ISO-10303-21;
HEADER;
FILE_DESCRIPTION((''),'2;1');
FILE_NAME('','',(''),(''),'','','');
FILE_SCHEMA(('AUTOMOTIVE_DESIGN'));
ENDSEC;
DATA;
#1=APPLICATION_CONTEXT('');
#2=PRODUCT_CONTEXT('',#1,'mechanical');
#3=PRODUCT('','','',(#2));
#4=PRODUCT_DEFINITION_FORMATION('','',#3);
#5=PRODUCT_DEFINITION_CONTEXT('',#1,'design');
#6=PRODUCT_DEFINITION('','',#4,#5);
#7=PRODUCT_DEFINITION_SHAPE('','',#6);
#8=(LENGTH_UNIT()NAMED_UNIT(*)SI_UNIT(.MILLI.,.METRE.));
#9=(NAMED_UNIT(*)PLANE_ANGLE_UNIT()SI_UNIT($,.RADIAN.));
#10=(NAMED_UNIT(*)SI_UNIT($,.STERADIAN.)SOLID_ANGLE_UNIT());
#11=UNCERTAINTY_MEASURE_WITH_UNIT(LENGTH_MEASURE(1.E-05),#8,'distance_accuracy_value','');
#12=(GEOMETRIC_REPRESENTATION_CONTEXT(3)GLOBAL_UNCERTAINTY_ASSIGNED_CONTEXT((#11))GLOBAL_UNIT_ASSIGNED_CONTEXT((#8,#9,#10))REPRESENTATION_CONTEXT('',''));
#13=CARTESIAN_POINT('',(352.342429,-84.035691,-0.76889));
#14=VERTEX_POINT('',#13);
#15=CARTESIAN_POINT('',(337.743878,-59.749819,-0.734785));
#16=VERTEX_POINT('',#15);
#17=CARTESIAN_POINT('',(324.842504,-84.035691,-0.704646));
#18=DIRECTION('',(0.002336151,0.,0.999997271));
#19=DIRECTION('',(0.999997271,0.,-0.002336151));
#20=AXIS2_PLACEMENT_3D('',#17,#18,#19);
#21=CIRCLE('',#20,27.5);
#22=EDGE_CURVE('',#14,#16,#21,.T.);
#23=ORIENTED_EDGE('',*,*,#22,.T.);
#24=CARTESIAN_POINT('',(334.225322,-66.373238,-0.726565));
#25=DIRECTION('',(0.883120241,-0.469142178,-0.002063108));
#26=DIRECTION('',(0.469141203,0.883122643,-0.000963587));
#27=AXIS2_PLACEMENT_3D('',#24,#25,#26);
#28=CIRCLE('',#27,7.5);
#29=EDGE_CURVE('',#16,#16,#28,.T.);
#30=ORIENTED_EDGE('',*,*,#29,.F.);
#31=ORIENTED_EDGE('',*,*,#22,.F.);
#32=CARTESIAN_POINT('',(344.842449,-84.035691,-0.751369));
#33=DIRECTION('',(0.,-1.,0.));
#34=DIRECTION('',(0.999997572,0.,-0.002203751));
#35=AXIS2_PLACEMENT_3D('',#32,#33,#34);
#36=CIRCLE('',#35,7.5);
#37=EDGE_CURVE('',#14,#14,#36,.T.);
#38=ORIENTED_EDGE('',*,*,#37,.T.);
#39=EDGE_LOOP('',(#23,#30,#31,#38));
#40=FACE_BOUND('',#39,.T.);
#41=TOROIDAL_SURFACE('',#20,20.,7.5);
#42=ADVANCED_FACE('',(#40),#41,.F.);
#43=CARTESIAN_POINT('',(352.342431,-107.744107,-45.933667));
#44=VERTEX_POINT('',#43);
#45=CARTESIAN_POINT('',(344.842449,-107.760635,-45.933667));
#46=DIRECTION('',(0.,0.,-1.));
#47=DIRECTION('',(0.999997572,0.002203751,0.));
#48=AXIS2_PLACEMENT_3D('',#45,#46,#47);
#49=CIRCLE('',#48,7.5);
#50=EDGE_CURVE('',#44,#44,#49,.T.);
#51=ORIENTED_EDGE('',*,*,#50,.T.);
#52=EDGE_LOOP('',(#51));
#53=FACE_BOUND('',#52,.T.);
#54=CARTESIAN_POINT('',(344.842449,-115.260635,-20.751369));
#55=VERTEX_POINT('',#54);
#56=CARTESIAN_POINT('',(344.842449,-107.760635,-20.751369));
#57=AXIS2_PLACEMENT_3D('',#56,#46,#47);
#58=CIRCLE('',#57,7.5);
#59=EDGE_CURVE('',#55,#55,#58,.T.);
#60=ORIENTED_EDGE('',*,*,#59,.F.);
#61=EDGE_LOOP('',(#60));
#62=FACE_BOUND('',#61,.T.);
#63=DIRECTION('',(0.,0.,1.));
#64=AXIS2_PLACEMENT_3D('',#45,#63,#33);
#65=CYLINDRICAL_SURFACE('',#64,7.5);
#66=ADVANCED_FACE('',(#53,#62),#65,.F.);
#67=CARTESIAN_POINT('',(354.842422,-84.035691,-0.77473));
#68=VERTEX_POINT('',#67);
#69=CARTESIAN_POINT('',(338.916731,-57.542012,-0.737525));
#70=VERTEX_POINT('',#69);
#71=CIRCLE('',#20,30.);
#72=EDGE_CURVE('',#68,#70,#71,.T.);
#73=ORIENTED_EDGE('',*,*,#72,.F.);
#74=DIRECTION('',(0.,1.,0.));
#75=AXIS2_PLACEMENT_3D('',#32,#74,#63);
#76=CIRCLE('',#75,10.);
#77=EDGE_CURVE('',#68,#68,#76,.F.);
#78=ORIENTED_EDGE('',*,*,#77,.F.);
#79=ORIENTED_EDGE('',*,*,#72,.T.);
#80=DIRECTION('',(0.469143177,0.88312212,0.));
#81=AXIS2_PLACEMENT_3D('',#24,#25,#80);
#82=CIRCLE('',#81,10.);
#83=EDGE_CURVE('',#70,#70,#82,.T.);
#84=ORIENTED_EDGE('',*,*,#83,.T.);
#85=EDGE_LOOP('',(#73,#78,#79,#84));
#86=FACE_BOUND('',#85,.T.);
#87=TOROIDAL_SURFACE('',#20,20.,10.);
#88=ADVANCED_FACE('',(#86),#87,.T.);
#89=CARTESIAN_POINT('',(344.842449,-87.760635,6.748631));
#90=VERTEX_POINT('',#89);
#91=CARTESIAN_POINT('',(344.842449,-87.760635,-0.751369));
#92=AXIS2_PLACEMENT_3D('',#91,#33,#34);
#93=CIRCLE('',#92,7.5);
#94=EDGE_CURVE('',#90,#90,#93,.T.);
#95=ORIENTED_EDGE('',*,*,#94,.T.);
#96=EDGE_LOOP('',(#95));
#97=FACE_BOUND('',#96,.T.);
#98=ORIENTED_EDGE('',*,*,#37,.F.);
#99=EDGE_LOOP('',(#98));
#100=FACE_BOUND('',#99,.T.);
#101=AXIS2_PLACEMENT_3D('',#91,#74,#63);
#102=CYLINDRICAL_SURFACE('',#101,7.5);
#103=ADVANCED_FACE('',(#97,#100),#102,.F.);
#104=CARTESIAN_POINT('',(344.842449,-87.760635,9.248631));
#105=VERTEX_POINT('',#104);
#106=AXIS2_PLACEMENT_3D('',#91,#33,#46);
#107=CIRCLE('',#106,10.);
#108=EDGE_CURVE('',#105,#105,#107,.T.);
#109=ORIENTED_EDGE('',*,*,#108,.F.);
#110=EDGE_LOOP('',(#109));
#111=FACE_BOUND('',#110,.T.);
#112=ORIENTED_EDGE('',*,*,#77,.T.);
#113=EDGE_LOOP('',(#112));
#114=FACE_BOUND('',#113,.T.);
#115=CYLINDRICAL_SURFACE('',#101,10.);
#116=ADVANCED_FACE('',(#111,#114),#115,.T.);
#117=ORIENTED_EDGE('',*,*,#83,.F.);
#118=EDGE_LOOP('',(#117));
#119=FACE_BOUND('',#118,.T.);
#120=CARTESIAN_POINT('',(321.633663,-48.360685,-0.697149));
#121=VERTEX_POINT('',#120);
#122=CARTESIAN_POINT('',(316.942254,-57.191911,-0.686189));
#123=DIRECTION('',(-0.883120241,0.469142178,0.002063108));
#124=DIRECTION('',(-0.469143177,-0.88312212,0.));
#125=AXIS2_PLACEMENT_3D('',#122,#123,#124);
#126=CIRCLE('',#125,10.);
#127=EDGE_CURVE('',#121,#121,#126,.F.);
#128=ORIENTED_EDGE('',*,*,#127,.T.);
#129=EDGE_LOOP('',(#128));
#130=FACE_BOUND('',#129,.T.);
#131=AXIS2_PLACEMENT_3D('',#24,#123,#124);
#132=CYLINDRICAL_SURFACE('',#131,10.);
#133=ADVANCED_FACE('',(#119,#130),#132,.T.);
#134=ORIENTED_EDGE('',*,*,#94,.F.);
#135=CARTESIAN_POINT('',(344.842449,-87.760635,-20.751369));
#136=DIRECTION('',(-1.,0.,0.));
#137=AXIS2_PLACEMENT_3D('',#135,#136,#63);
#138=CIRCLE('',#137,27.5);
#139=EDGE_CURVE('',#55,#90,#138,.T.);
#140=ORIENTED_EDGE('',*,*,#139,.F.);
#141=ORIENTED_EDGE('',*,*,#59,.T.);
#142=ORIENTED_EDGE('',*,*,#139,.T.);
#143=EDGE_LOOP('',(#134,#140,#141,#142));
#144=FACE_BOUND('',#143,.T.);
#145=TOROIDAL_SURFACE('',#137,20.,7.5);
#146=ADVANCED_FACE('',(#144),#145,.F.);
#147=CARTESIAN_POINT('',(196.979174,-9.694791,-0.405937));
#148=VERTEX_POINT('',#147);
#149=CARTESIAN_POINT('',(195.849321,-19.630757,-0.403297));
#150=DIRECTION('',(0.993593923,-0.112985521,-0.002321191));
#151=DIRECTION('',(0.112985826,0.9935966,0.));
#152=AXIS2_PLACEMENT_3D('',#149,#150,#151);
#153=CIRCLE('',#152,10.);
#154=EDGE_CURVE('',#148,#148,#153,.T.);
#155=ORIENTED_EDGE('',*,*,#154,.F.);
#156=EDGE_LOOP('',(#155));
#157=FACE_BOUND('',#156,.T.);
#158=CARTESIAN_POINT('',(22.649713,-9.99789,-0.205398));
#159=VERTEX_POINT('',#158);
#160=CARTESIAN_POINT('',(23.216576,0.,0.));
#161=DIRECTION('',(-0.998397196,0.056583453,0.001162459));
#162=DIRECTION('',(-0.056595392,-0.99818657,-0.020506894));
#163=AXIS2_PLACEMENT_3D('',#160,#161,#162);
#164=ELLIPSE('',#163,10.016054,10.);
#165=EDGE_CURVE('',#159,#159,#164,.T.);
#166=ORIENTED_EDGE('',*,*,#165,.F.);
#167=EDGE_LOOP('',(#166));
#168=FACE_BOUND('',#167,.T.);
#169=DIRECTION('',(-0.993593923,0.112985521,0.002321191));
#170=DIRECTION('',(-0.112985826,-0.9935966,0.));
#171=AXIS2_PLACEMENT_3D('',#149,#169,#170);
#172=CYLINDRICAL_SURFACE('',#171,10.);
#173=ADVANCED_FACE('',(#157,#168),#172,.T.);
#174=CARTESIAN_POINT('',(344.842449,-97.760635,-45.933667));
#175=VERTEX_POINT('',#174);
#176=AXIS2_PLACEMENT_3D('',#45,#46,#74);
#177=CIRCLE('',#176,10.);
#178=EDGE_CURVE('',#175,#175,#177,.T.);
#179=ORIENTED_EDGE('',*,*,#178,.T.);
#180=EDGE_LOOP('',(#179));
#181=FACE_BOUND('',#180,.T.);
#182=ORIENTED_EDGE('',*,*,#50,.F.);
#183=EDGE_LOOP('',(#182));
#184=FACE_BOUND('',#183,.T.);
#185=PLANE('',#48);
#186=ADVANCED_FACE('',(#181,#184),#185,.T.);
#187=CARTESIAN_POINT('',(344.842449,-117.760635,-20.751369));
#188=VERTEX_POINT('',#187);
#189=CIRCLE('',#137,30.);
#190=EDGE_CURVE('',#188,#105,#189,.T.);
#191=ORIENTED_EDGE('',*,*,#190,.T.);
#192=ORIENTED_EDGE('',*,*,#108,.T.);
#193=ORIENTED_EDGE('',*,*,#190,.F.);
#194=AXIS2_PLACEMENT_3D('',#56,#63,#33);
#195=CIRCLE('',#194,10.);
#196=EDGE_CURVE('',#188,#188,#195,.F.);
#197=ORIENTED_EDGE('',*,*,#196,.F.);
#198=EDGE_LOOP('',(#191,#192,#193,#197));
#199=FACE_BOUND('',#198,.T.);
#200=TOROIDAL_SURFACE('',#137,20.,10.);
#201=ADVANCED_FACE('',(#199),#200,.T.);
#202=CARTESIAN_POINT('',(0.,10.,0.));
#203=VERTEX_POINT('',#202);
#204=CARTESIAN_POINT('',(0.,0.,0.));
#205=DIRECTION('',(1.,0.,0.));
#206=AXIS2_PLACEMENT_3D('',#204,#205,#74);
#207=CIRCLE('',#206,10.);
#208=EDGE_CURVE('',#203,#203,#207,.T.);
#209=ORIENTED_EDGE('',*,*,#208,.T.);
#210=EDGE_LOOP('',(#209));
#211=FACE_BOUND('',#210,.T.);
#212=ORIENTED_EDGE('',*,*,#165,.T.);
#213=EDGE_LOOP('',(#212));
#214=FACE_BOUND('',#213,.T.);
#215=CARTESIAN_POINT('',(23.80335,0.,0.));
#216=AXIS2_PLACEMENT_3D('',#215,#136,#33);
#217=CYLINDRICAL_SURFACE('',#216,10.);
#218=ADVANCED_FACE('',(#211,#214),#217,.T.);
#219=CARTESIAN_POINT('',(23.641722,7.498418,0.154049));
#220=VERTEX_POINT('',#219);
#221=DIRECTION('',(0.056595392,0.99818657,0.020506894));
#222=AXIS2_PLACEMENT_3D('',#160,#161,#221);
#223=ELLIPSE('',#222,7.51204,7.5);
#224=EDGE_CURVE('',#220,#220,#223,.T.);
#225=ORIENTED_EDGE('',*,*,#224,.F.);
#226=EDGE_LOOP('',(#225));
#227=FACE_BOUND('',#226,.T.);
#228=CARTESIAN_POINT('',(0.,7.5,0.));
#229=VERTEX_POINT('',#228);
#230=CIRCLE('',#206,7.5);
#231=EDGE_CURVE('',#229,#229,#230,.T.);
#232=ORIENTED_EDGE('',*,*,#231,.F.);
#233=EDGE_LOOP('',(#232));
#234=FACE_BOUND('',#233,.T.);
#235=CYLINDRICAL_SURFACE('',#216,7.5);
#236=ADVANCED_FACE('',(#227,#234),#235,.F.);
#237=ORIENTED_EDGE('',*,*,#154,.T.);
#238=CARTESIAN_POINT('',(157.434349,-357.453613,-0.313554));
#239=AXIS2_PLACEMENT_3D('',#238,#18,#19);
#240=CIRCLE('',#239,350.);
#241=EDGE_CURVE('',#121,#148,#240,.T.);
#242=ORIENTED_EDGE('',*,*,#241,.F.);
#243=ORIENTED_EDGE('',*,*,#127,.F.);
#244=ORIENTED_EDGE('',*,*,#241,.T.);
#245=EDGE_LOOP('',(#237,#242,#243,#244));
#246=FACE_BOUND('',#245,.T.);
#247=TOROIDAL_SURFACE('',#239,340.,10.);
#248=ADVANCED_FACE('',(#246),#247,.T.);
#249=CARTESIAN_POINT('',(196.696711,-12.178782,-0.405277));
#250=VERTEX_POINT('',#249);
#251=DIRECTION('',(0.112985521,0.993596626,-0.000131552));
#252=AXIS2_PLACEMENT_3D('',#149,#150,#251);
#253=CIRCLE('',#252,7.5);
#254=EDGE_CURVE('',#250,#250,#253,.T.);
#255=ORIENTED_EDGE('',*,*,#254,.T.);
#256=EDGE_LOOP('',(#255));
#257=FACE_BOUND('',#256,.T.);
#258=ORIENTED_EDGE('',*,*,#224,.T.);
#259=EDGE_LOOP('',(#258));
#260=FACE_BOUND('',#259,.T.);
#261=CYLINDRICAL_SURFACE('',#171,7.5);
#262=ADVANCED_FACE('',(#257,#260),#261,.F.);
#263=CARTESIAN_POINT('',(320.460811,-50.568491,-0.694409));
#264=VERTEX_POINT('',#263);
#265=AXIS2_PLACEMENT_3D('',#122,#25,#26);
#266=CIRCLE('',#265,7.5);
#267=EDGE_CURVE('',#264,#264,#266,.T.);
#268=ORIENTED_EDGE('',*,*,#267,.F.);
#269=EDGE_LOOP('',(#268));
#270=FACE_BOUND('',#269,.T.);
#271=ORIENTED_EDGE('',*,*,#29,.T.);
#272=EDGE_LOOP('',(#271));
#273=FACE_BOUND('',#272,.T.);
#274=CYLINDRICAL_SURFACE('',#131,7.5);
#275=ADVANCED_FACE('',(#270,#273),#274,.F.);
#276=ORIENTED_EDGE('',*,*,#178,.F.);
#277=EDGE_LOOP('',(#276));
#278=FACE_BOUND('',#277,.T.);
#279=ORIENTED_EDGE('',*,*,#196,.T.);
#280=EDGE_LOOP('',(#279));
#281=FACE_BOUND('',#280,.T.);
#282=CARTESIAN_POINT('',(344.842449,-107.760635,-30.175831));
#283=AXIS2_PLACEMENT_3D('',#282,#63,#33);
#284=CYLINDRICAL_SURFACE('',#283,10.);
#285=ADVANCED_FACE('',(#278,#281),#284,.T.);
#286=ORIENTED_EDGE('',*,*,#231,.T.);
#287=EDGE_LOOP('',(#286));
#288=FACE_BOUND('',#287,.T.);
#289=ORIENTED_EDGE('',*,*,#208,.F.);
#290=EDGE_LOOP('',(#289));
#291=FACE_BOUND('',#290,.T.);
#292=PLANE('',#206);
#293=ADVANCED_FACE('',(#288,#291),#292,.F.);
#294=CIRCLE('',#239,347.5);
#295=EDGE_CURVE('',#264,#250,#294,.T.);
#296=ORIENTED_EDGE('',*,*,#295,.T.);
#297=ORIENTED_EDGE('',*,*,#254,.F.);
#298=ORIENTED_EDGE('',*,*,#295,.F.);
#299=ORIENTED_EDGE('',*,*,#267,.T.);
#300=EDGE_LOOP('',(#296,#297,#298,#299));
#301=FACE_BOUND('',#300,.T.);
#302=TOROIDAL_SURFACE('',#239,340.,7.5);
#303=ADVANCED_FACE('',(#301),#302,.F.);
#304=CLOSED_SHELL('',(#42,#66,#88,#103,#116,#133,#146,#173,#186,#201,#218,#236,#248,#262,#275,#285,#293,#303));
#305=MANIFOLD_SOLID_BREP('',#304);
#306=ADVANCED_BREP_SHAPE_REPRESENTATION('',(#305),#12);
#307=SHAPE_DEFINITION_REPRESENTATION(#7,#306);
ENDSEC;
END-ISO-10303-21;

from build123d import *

# Parameters (mm, degrees)
WYCI_GNI_CIE_PO_CIE_CE_CIENKA_CIAN_2_R   = 10
WYCI_GNI_CIE_PO_CIE_CE_CIENKA_CIAN_2_R_2 = 7.5


with BuildPart() as part:
    # Wyci_gni_cie po _cie_ce-Cienka _cianka1: sweep along a curve in space
    with BuildLine() as wyci_gni_cie_po_cie_ce_cienka_cianka1_path:
        Line((344.842449098, -107.760635274, -45.933666989), (344.842449098, -107.760635274, -30.175831262))
        Line((344.842449098, -107.760635274, -30.175831262), (344.842449098, -107.760635274, -20.751368547))
        ThreePointArc((344.842449098, -107.760635274, -20.751368547), (344.842449098, -101.902770898, -6.609232923), (344.842449098, -87.760635274, -0.751368547))
        Line((344.842449098, -87.760635274, -0.751368547), (344.842449098, -84.035691476, -0.751368547))
        ThreePointArc((334.225321639, -66.373238459, -0.72656527), (341.983881451, -73.731732804, -0.744690484), (344.842449098, -84.035691476, -0.751368547))
        Line((334.225321639, -66.373238459, -0.72656527), (316.94225441, -57.191911349, -0.686189311))
        ThreePointArc((316.94225441, -57.191911349, -0.686189311), (258.162073815, -32.716996153, -0.548869578), (195.849321408, -19.630756919, -0.403297204))
        Line((195.849321408, -19.630756919, -0.403297204), (23.216575519, 0, 0))
        Line((23.216575519, 0, 0), (0, 0, 0))
    # Wyci_gni_cie po _cie_ce-Cienka _cian 2 (on start of the path) → Wyci_gni_cie po _cie_ce-Cienka _cianka1 (sweep)
    with BuildSketch(Plane(origin=(344.842449098, -107.760635274, -45.933666989), x_dir=(0, 1, 0), z_dir=(0, 0, 1))):
        Circle(WYCI_GNI_CIE_PO_CIE_CE_CIENKA_CIAN_2_R)
        Circle(WYCI_GNI_CIE_PO_CIE_CE_CIENKA_CIAN_2_R_2, mode=Mode.SUBTRACT)
    sweep(path=wyci_gni_cie_po_cie_ce_cienka_cianka1_path.line, transition=Transition.RIGHT)


solid = part.part
